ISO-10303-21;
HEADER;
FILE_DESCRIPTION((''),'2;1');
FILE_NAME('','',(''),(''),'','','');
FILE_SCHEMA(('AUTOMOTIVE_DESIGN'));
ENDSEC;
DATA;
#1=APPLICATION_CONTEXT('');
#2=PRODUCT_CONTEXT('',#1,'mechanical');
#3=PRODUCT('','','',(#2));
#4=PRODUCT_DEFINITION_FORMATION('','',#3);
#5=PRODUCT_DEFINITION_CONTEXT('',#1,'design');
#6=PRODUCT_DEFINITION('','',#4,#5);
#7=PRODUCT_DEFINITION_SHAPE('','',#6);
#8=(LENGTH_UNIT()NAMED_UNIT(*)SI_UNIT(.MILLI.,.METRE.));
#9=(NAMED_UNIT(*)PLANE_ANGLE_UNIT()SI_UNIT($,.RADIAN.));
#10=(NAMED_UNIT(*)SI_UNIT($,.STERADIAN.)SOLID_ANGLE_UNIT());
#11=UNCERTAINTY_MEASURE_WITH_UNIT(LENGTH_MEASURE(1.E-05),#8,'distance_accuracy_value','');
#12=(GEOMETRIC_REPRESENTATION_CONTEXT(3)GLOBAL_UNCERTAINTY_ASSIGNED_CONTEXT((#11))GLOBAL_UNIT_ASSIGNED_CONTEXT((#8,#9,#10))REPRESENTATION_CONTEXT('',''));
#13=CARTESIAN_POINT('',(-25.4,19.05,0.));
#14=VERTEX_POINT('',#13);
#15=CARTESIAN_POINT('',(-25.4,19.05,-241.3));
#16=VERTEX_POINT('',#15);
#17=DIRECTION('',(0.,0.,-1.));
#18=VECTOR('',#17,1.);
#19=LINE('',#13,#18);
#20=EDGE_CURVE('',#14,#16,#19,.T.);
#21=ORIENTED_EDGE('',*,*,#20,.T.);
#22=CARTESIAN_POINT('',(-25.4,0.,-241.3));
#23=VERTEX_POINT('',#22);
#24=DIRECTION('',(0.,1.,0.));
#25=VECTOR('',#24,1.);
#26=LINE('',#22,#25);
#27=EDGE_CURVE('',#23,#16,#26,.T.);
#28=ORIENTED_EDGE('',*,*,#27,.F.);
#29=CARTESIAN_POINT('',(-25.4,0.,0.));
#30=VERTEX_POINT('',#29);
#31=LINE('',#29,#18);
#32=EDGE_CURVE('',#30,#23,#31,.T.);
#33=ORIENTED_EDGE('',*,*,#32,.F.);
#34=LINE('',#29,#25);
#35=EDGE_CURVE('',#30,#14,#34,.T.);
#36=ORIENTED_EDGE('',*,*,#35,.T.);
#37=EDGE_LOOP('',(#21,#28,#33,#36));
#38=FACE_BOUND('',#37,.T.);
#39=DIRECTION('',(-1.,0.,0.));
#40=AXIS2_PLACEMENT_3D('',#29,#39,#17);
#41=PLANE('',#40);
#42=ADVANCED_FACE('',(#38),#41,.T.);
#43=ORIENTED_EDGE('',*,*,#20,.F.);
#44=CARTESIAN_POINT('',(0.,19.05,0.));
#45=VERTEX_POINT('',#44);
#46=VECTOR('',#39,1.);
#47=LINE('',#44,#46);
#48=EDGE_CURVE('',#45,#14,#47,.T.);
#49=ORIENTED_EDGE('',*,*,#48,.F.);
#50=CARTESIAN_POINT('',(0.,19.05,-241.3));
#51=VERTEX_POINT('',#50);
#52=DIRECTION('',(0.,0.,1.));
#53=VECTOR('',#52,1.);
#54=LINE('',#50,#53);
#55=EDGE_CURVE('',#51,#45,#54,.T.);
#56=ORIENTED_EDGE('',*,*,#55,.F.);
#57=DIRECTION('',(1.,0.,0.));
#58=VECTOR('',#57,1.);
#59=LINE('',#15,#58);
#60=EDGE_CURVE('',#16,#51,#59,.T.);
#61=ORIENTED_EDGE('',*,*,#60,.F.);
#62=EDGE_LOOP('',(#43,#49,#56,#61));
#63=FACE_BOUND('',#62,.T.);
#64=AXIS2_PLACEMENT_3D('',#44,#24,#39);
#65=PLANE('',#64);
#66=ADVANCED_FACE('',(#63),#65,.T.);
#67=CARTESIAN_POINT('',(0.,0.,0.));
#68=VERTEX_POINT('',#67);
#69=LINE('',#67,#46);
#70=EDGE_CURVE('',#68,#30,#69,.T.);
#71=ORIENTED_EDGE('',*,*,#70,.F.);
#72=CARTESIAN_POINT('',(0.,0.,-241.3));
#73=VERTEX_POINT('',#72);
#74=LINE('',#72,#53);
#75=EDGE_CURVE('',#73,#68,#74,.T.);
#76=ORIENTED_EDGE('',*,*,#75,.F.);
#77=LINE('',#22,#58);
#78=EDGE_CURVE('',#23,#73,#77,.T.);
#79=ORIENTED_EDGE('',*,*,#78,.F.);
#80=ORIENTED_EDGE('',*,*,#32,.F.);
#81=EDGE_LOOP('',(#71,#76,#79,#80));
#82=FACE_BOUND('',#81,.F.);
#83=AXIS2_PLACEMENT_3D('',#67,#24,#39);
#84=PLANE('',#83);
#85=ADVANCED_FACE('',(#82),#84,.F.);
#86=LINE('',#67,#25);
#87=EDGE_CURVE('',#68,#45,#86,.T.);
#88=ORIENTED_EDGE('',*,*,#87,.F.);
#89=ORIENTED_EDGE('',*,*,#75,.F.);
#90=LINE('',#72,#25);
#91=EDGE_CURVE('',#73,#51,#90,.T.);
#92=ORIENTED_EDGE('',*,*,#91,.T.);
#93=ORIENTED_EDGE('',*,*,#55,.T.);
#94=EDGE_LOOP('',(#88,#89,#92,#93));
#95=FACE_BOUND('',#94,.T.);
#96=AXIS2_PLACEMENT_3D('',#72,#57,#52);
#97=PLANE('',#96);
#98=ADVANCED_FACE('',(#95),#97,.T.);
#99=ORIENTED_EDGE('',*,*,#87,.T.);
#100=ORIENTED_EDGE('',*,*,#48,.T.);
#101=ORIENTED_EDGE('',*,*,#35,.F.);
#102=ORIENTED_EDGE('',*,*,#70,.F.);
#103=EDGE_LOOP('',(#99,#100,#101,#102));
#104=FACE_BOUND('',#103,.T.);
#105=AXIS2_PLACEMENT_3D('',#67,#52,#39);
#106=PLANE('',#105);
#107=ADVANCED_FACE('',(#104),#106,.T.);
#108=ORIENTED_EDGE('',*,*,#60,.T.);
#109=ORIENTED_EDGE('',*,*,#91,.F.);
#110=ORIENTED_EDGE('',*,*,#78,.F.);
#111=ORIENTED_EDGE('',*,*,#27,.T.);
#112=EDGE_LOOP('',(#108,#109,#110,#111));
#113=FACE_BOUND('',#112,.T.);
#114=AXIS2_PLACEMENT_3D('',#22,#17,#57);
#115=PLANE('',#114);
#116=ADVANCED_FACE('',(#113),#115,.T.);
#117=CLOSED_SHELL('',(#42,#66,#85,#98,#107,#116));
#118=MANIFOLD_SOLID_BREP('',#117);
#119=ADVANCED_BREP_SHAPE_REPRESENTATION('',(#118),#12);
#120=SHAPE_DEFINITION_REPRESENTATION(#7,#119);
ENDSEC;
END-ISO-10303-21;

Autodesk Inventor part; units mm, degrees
ref_plane "YZ Plane" through (0, 0, 0) normal (1, 0, 0) x (0, 1, 0)
ref_plane "XZ Plane" through (0, 0, 0) normal (0, 1, 0) x (-1, 0, 0)
ref_plane "XY Plane" through (0, 0, 0) normal (0, 0, 1) x (1, 0, 0)
sketch "Sketch1" plane through (0, 0, 0) normal (0, 1, 0) x (-1, 0, 0)
  line L0 (0, 0) -> (25.4, 0)
  line L1 (25.4, 0) -> (25.4, -241.3)
  line L2 (25.4, -241.3) -> (0, -241.3)
  line L3 (0, -241.3) -> (0, 0)
  dimension "d0" = 25.4
  dimension "d1" = 241.3
extrude "Extrusion1" add sketch "Sketch1" along normal blind 19.05
properties part number "footer"
